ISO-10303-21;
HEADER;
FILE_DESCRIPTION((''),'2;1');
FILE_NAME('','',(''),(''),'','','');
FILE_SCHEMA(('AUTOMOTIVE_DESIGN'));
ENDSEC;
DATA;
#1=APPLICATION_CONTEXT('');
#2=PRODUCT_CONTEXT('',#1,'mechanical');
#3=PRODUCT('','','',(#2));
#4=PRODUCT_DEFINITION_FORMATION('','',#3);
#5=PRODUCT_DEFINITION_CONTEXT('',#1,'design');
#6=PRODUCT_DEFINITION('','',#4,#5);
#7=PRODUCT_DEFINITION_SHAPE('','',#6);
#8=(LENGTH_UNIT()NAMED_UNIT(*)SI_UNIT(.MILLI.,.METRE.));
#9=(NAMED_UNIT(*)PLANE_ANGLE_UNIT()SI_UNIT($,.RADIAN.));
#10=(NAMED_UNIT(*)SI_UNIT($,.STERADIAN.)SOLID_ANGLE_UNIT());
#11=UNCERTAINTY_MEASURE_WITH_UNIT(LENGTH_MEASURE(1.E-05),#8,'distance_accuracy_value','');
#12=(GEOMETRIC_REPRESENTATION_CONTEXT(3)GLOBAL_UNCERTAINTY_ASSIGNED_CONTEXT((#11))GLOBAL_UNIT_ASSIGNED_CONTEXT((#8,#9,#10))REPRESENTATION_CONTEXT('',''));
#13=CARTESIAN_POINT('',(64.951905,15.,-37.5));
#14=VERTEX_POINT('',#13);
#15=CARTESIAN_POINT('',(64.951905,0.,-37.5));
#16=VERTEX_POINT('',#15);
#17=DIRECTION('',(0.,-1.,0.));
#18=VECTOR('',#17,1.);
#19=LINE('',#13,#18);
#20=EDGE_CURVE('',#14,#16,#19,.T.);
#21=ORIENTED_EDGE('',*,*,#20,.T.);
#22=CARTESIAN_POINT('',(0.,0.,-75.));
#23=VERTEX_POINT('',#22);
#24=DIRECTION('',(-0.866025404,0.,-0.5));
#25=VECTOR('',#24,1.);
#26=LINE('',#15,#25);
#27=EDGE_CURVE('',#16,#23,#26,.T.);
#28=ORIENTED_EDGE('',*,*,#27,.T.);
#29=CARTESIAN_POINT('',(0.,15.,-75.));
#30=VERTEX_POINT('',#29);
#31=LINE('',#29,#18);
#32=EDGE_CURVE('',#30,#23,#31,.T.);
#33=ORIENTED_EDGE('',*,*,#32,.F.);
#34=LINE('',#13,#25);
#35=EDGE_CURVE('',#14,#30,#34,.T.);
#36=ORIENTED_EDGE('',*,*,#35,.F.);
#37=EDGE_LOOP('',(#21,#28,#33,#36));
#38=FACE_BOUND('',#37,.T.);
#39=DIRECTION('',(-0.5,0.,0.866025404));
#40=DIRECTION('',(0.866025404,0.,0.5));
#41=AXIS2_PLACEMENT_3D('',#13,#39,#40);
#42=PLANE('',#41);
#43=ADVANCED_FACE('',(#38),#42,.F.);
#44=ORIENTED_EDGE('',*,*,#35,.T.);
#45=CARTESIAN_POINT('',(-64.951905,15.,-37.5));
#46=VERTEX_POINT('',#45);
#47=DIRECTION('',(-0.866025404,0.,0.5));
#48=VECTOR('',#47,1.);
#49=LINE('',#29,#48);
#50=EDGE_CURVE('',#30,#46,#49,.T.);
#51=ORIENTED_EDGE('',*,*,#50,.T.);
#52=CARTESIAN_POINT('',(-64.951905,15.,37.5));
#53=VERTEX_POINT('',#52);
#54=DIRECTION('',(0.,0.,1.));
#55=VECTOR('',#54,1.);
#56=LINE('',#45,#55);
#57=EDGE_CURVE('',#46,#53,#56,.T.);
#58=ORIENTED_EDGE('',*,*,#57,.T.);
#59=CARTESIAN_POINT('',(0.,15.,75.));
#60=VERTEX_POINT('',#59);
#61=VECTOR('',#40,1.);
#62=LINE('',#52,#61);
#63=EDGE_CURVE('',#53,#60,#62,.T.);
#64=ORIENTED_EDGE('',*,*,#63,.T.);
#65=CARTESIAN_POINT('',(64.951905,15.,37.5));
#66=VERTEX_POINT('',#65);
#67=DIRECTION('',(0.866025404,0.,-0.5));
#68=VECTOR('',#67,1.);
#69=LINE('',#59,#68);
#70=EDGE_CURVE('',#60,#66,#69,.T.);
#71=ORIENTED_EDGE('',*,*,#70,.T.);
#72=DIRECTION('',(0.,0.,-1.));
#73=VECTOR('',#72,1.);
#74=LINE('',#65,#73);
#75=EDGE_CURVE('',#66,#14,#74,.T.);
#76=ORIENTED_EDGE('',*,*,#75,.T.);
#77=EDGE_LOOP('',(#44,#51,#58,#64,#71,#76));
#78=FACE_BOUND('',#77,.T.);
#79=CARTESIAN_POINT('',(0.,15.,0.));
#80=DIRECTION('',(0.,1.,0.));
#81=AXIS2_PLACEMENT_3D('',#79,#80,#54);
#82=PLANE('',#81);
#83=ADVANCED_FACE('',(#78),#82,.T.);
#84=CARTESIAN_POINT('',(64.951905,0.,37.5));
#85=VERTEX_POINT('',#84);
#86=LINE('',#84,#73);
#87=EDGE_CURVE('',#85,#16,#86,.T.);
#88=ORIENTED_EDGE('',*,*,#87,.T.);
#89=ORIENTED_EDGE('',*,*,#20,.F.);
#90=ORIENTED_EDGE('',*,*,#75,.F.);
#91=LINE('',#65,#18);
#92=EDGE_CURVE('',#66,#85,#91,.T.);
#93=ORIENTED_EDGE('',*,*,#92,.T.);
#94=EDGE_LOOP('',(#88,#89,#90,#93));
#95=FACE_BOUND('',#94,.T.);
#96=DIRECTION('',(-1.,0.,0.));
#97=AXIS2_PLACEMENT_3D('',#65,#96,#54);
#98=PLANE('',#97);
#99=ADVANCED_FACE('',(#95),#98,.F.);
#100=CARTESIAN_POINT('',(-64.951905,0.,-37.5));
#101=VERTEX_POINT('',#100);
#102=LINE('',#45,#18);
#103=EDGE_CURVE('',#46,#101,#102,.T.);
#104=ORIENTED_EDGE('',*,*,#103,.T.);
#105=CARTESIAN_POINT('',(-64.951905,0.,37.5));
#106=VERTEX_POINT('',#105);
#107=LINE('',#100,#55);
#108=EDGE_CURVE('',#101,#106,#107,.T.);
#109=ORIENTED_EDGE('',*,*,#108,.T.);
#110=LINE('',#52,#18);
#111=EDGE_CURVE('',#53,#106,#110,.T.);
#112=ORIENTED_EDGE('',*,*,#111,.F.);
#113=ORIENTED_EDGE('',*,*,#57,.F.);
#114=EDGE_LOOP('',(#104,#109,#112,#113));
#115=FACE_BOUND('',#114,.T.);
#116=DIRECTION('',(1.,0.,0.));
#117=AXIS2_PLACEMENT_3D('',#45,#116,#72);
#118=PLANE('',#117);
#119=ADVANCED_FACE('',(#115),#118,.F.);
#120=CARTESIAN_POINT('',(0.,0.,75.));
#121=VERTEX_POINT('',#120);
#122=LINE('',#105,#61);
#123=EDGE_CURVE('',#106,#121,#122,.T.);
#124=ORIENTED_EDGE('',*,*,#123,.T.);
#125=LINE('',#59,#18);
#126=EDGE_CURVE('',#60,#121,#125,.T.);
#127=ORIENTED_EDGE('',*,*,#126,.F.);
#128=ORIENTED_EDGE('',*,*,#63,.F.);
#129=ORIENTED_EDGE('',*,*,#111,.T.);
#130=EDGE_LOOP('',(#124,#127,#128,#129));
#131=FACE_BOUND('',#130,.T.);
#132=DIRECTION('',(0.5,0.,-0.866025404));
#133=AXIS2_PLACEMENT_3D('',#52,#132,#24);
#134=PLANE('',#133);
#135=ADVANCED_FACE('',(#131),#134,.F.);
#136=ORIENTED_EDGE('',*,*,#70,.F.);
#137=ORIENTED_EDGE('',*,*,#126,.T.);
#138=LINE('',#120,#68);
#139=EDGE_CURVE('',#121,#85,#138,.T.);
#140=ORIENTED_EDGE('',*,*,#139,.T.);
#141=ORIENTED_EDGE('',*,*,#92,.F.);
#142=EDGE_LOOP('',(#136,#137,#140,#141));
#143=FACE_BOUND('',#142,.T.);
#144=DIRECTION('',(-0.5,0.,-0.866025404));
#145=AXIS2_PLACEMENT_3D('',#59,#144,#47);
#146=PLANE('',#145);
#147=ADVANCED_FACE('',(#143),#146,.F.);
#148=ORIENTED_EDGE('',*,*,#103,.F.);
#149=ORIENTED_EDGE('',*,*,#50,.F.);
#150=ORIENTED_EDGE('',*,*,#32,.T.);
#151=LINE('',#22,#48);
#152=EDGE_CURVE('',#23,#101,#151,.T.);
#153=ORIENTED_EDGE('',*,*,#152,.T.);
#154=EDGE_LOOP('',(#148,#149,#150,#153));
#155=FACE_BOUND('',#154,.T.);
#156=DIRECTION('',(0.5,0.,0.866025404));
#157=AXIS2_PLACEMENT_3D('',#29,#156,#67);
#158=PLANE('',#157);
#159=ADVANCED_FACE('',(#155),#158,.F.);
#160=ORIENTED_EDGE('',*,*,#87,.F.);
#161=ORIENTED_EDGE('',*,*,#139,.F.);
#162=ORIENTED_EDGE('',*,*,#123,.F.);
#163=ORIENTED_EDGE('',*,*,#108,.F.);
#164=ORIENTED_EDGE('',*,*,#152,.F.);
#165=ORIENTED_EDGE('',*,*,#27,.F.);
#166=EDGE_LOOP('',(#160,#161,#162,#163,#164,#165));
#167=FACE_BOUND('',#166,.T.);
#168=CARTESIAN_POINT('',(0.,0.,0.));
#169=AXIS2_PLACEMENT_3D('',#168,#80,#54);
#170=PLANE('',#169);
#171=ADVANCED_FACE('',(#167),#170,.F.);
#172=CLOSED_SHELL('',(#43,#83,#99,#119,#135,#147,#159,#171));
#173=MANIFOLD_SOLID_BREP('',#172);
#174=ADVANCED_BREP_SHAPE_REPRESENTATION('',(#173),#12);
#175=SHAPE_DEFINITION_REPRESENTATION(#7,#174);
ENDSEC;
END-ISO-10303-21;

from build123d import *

# Parameters (mm, degrees)
BOSS_EXTRU_1_DEPTH = 15


with BuildPart() as part:
    # Esquisse1 → Boss.-Extru.1 (new body)
    with BuildSketch(Plane(origin=(0, 0, 0), x_dir=(1, 0, 0), z_dir=(0, 1, 0))):
        Polygon((0, 75), (-64.951905284, 37.5), (-64.951905284, -37.5), (0, -75), (64.951905284, -37.5), (64.951905284, 37.5), align=None)
    extrude(amount=BOSS_EXTRU_1_DEPTH)


solid = part.part
